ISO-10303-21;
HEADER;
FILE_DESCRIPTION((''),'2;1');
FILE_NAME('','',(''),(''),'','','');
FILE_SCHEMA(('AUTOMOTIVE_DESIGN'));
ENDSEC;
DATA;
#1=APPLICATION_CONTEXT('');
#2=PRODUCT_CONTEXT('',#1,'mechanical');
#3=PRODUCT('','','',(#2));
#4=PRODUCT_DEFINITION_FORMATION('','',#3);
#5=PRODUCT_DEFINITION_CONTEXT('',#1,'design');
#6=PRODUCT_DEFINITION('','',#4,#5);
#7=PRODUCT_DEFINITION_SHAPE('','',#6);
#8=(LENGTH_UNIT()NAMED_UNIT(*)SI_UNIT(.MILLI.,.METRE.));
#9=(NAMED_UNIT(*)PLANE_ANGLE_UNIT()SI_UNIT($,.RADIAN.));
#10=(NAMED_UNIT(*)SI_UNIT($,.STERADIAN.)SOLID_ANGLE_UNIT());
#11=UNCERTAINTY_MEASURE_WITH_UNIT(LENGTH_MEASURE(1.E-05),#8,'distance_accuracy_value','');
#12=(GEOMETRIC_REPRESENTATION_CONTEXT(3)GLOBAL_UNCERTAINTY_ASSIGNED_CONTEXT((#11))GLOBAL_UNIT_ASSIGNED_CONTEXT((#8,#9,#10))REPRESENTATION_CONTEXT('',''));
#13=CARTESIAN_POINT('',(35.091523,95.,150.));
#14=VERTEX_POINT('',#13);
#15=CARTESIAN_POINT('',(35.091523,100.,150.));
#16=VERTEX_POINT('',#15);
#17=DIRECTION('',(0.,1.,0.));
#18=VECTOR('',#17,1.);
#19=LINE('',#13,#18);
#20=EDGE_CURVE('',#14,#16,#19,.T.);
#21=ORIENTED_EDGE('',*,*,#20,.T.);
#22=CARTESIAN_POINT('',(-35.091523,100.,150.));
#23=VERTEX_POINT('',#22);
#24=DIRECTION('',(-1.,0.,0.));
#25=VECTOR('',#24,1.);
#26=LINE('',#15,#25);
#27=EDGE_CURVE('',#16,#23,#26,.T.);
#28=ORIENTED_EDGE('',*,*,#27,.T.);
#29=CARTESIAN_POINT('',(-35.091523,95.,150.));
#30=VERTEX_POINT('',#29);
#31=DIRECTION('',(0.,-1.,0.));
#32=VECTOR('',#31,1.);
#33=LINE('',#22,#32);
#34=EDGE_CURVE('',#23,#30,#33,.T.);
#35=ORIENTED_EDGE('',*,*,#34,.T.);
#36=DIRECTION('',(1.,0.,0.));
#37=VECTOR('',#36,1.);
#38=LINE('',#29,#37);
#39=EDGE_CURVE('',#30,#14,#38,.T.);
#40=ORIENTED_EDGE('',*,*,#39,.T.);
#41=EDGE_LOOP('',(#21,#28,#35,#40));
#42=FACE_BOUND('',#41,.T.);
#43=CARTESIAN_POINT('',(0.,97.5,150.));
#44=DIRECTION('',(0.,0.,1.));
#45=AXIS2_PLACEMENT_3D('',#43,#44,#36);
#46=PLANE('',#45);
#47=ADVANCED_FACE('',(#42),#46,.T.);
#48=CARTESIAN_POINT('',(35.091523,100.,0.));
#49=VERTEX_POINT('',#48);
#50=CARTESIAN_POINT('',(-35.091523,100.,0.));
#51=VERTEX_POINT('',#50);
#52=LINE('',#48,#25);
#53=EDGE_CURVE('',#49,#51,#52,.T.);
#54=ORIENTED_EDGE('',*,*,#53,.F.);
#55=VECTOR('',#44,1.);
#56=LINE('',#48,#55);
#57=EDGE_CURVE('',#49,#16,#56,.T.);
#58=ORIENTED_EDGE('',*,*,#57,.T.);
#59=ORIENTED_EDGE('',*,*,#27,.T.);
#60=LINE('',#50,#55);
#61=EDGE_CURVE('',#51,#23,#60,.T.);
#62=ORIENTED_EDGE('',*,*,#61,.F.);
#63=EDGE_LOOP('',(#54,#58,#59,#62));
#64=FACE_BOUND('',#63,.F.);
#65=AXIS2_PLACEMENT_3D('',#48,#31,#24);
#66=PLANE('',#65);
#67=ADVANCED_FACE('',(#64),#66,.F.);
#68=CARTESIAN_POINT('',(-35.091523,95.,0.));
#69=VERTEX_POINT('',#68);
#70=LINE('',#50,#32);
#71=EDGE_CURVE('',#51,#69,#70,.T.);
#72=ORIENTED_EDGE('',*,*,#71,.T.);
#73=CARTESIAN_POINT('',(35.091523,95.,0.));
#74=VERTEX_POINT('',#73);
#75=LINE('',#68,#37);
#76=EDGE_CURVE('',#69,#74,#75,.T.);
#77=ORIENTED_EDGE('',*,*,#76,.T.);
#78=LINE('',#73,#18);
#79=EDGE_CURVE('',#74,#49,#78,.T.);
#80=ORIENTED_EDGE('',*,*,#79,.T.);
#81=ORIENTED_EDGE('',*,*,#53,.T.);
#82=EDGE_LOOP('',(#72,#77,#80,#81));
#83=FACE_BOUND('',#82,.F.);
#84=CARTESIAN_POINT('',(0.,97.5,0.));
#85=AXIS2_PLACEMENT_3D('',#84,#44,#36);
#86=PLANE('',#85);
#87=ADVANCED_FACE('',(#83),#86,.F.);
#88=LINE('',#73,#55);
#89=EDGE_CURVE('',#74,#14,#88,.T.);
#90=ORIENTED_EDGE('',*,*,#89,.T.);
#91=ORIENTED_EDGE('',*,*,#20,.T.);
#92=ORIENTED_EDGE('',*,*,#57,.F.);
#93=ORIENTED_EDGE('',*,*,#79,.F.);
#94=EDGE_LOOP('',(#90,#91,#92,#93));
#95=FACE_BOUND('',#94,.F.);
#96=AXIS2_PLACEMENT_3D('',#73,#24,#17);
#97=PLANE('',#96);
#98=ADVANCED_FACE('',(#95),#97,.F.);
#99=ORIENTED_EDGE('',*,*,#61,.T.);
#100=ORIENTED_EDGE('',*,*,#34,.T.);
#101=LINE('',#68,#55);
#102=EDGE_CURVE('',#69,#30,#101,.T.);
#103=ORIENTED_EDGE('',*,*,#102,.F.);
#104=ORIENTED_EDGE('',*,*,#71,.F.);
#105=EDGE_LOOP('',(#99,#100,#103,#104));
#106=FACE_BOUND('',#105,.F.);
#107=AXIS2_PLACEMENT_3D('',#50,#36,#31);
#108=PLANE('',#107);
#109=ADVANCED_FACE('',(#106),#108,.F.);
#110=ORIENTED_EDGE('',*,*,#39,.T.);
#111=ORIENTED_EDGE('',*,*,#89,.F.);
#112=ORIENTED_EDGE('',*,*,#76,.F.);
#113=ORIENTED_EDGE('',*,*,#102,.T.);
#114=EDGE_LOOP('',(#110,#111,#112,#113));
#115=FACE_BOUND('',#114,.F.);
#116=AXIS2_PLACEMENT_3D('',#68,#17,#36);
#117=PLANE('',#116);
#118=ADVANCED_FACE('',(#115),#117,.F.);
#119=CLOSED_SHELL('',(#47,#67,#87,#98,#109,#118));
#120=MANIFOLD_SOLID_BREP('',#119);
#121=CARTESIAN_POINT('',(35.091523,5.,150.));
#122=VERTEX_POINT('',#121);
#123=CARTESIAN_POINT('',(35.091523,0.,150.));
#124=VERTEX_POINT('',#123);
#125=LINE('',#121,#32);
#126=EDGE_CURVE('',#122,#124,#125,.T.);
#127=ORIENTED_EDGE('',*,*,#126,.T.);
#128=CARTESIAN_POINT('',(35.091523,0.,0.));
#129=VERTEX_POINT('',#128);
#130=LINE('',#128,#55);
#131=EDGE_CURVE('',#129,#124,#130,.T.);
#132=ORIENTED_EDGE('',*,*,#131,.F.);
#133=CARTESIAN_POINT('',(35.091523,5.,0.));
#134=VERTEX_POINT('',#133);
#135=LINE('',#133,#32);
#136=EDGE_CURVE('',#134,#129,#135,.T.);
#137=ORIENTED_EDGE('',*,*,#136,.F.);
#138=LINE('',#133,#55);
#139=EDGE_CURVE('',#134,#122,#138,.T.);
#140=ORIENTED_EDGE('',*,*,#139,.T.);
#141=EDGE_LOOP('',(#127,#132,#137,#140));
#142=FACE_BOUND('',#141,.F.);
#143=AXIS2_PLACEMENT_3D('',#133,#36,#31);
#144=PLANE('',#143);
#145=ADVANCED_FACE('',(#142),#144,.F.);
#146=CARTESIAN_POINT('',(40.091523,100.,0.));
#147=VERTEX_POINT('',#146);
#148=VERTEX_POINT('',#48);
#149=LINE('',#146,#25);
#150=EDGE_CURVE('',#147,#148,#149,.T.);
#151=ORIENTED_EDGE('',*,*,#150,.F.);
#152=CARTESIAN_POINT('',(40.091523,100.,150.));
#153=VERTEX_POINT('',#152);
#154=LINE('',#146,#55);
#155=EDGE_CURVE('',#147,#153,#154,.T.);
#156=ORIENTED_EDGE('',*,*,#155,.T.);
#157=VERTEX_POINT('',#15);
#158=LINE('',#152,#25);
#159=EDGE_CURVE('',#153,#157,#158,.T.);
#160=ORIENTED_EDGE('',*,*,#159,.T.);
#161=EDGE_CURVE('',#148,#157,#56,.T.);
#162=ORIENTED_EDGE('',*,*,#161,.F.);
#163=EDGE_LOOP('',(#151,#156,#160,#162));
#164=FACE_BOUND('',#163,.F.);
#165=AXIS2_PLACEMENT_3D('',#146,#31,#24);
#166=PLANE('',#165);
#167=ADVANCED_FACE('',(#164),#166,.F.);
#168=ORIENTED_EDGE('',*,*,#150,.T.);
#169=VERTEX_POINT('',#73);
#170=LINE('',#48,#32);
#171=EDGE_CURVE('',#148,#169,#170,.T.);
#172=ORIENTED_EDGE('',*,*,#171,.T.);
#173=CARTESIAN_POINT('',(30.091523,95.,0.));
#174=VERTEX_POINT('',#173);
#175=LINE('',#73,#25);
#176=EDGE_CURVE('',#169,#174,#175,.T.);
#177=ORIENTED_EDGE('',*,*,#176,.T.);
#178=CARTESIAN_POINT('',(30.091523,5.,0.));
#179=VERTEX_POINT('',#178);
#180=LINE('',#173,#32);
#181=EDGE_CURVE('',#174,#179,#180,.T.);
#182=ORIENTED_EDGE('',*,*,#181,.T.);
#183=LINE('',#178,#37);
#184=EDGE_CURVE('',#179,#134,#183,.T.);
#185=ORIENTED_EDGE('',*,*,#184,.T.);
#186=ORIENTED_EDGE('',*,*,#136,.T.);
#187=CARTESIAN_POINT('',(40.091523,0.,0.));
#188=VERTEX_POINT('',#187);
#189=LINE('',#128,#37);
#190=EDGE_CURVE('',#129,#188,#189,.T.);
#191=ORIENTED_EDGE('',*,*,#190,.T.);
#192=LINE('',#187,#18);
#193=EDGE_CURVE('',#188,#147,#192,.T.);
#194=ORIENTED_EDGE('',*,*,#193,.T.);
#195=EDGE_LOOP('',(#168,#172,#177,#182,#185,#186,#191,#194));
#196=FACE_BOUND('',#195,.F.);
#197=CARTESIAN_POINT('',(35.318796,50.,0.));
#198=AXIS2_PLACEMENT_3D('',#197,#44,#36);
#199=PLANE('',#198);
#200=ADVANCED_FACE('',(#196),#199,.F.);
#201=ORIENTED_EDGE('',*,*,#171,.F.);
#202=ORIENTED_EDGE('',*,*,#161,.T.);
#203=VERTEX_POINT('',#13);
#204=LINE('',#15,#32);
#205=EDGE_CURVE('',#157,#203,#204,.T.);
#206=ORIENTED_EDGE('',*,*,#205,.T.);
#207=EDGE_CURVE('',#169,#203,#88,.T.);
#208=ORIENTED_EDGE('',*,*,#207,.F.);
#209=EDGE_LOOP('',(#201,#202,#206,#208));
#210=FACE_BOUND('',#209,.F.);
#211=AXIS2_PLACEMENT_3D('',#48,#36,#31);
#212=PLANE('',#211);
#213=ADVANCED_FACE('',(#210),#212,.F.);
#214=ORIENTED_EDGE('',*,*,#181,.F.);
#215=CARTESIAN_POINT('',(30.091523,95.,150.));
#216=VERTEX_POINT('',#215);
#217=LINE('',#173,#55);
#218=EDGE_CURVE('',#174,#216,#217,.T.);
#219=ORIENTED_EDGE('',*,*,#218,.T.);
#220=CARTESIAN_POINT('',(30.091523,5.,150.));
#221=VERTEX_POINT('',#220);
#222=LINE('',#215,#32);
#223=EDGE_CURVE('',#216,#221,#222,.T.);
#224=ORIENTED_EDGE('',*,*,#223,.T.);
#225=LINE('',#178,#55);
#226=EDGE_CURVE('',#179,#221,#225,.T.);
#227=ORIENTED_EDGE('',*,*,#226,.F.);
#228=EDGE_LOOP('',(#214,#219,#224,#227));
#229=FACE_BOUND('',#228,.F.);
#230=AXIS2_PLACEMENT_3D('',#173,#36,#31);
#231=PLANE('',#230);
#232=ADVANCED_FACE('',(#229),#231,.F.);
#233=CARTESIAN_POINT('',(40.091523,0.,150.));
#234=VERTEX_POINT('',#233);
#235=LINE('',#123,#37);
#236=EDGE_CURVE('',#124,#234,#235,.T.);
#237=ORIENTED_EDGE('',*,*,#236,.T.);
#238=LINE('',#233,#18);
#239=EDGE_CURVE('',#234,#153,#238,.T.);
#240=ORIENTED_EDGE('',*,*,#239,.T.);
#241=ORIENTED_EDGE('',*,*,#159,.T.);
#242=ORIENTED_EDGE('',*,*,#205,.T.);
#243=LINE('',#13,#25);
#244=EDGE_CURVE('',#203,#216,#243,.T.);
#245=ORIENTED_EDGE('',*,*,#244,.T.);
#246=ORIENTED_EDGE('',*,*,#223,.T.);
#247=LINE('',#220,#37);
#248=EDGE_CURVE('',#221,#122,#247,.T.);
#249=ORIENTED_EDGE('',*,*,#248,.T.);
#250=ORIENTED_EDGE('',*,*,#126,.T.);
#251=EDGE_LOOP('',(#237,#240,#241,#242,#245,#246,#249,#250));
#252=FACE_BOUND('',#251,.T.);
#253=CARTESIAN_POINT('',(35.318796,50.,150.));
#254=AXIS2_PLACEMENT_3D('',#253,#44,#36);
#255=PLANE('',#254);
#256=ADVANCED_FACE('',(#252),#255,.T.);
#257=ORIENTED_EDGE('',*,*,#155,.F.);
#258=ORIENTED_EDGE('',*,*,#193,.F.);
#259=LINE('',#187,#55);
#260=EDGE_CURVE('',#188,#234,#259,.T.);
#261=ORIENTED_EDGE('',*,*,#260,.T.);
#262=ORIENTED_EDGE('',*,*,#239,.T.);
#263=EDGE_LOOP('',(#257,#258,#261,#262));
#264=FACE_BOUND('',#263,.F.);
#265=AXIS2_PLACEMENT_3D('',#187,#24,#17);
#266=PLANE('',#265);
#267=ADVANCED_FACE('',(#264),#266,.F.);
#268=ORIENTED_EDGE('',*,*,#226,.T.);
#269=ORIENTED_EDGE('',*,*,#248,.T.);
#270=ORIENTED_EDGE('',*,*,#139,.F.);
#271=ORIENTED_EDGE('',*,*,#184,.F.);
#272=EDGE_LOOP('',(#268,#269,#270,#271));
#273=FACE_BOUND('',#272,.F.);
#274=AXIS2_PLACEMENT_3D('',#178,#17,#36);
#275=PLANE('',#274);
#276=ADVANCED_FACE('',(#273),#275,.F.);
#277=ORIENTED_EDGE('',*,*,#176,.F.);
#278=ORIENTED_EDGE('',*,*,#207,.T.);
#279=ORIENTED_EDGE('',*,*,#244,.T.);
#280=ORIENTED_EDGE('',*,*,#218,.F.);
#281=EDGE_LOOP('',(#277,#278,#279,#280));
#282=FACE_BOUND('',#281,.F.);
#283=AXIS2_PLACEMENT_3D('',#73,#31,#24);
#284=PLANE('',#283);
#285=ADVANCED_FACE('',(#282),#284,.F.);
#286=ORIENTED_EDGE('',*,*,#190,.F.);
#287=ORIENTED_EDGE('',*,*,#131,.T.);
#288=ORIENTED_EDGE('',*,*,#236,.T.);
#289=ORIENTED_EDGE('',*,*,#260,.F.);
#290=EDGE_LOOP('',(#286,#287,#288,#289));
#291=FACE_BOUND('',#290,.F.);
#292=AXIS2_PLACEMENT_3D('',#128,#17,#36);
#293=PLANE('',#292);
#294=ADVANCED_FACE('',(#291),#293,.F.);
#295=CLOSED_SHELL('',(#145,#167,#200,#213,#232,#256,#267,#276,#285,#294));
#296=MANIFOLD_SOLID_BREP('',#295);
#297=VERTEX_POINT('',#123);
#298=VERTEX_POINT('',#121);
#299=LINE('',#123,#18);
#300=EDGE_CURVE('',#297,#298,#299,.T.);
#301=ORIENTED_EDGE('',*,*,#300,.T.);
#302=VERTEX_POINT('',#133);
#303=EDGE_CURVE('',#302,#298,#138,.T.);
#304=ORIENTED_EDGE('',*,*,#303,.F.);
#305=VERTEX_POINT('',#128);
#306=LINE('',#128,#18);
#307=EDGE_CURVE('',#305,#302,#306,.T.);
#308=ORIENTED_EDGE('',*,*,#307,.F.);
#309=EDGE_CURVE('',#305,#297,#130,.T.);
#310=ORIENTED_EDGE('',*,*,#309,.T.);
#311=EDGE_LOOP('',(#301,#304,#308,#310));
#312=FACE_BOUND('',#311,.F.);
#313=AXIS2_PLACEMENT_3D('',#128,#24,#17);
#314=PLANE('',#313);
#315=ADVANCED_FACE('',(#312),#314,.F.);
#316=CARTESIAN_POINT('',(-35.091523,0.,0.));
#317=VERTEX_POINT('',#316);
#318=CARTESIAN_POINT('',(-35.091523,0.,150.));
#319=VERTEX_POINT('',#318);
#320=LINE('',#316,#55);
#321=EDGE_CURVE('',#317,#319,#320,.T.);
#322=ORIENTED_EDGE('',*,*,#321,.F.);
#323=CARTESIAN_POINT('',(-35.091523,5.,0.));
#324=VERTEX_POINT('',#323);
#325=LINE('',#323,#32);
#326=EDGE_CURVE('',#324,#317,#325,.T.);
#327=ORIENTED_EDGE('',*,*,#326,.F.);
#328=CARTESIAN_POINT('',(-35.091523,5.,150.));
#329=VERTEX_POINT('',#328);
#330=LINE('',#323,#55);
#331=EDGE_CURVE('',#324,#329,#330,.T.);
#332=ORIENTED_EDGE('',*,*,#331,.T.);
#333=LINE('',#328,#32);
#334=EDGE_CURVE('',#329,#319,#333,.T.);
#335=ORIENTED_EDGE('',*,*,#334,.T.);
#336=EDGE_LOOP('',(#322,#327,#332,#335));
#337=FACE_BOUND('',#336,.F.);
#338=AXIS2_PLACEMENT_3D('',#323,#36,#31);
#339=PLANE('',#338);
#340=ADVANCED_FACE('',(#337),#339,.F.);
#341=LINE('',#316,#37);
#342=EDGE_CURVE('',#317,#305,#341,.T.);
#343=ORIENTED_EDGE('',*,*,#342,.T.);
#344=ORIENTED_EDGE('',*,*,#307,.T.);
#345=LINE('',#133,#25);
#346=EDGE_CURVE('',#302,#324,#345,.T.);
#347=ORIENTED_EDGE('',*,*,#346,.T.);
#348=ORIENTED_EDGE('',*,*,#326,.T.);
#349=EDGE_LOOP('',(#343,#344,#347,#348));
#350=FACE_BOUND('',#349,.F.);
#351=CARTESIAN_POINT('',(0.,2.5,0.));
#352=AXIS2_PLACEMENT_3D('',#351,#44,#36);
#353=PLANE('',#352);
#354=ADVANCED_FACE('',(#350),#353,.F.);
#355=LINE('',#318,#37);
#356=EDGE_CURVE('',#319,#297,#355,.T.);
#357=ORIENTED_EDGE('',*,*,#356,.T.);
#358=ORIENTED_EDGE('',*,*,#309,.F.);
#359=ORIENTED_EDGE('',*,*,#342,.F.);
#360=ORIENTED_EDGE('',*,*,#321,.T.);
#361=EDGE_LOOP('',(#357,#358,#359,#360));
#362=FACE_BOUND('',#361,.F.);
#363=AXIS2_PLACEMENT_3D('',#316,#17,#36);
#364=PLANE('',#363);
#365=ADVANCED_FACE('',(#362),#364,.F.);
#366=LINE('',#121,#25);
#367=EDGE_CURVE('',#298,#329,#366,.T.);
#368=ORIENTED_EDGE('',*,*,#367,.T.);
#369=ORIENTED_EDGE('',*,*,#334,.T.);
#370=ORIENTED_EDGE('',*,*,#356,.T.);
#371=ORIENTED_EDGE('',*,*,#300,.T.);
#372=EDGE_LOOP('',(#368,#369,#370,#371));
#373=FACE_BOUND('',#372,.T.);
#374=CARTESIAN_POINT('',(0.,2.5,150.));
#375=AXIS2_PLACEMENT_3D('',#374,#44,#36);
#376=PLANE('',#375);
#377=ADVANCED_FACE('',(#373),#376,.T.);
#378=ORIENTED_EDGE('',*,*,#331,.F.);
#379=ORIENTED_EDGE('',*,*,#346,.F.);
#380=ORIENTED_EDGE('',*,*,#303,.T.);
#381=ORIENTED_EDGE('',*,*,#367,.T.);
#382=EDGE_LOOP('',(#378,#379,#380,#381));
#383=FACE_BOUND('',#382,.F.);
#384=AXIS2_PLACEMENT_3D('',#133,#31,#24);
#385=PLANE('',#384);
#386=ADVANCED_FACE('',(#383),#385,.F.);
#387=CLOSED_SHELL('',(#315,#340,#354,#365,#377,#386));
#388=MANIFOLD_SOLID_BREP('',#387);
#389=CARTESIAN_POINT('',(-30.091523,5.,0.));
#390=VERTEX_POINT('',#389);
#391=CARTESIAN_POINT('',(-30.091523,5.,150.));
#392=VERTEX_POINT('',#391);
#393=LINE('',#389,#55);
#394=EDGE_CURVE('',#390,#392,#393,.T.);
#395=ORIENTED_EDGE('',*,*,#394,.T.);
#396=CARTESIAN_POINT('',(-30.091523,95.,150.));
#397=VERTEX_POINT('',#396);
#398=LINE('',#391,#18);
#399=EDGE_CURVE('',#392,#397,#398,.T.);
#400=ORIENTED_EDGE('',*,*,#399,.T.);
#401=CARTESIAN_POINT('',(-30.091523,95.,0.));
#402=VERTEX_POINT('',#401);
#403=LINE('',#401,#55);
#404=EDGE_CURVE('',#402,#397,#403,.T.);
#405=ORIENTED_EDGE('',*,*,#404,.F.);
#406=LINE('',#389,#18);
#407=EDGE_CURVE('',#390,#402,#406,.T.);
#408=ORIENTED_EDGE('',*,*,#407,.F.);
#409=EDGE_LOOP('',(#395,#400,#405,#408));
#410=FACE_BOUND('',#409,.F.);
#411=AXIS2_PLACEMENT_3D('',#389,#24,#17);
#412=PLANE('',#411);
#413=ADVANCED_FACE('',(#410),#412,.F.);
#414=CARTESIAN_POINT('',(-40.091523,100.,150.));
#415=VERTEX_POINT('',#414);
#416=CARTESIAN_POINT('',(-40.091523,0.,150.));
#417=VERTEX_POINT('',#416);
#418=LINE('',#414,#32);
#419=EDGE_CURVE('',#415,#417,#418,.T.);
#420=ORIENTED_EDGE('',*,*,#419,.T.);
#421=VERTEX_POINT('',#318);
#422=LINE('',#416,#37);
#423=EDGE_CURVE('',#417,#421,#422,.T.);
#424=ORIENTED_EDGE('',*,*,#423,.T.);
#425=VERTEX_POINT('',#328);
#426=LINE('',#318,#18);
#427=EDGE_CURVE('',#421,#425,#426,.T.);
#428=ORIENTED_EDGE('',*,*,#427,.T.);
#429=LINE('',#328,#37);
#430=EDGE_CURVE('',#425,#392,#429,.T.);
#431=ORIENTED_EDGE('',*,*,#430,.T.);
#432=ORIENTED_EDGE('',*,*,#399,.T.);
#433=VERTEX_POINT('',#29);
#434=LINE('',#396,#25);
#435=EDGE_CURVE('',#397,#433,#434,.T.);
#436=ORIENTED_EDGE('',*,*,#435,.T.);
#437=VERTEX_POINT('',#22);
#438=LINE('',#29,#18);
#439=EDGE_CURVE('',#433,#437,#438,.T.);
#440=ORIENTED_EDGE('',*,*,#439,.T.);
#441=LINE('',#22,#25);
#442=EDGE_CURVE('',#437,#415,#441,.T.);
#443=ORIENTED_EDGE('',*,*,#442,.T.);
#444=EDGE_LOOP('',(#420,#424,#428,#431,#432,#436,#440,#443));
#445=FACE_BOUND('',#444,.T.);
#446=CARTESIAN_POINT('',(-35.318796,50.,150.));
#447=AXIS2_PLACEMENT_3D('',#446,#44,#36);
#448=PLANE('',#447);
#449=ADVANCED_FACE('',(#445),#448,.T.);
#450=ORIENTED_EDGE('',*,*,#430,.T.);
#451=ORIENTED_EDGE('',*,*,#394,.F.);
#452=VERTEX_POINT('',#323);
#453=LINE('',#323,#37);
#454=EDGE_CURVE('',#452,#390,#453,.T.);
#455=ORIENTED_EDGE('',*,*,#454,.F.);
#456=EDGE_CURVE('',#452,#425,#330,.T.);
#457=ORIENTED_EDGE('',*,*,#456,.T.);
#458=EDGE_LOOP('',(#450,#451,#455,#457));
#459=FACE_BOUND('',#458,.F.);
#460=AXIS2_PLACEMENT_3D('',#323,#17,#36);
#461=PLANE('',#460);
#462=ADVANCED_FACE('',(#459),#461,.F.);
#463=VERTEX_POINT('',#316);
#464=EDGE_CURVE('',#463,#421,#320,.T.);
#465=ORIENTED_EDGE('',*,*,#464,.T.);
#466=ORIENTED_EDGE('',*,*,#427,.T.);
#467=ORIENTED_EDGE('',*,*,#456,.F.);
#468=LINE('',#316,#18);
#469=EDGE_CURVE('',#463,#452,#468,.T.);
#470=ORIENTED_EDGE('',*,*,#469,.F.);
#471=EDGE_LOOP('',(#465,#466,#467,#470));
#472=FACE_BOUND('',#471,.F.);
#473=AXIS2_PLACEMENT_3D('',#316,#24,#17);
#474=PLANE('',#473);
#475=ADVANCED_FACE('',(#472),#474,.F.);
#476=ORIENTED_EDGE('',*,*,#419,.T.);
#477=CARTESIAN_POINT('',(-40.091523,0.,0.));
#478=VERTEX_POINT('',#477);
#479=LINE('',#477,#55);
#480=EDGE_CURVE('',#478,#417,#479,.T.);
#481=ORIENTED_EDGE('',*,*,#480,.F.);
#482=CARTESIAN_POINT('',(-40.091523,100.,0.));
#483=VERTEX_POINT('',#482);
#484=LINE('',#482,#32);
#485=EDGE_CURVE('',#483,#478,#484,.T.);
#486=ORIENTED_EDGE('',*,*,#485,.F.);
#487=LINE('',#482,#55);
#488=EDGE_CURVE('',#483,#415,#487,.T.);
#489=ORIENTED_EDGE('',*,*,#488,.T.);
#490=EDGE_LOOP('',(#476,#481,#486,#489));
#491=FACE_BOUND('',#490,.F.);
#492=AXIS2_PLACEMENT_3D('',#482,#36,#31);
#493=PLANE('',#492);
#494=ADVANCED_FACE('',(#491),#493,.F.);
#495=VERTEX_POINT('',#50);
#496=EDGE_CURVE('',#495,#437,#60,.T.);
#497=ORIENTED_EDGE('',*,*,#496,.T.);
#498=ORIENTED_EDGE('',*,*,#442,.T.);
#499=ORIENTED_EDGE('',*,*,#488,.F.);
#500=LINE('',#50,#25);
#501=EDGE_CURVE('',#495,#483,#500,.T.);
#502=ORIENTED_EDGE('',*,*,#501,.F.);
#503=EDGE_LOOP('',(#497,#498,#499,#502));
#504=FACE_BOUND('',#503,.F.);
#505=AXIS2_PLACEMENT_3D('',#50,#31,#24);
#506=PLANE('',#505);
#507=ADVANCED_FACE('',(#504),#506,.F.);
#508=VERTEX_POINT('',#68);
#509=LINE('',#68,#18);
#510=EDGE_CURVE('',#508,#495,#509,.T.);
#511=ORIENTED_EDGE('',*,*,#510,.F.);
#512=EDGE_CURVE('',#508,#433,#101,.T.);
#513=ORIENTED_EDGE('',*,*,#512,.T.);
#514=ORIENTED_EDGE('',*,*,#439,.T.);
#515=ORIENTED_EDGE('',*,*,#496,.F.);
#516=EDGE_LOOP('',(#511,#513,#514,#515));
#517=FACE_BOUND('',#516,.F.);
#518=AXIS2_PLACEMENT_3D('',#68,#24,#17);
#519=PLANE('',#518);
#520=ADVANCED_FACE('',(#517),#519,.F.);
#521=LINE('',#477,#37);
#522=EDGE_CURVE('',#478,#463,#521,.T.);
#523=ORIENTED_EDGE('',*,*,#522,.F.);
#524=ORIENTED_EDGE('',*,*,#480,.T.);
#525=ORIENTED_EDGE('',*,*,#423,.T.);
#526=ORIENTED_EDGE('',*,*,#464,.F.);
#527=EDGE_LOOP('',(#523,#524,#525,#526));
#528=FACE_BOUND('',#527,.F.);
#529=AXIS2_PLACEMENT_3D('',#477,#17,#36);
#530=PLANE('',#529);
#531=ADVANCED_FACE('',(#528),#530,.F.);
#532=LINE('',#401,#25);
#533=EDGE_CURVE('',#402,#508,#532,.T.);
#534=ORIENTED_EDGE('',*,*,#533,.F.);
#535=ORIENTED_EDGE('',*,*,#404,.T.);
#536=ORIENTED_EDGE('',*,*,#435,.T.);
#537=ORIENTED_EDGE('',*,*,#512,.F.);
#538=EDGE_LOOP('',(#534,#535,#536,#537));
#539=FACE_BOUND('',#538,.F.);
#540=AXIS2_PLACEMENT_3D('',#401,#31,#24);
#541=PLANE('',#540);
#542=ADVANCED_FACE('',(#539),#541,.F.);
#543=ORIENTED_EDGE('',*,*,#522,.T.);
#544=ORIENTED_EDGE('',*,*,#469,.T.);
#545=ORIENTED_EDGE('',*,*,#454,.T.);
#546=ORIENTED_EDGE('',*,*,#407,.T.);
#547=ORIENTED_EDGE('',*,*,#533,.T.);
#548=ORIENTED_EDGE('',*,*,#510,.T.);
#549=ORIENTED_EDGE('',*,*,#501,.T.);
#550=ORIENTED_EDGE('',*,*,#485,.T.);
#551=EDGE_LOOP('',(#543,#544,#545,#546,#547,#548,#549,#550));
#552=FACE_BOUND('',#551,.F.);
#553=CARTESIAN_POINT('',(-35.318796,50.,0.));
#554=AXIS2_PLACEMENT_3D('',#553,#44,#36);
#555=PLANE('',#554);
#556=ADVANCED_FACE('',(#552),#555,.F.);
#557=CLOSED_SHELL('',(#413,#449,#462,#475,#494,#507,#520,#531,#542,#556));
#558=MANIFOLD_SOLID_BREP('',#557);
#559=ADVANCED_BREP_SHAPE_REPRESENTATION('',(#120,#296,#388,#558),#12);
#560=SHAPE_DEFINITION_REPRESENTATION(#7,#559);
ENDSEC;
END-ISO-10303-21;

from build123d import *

# Parameters (mm, degrees)
F1_DEPTH = 150
F2_DEPTH = 150


with BuildPart() as f1:
    # F0 (on Top) → F1 (new body)
    with BuildSketch(Plane.XY):
        Polygon((-35.091523, 100), (-40.091523, 100), (-40.091523, 0), (-35.091523, 0), (-35.091523, 5), (-30.091523, 5), (-30.091523, 95), (-35.091523, 95), align=None)
        Polygon((40.091523, 100), (35.091523, 100), (35.091523, 95), (30.091523, 95), (30.091523, 5), (35.091523, 5), (35.091523, 0), (40.091523, 0), align=None)
    extrude(amount=F1_DEPTH)


with BuildPart() as f2:
    # F0 (on Top) → F2 (new body)
    with BuildSketch(Plane.XY):
        Polygon((35.091523, 100), (-35.091523, 100), (-35.091523, 95), (-30.091523, 95), (30.091523, 95), (35.091523, 95), align=None)
        Polygon((-35.091523, 5), (-35.091523, 0), (35.091523, 0), (35.091523, 5), (30.091523, 5), (-30.091523, 5), align=None)
    extrude(amount=F2_DEPTH)


solid = Compound([f1.part, f2.part])
